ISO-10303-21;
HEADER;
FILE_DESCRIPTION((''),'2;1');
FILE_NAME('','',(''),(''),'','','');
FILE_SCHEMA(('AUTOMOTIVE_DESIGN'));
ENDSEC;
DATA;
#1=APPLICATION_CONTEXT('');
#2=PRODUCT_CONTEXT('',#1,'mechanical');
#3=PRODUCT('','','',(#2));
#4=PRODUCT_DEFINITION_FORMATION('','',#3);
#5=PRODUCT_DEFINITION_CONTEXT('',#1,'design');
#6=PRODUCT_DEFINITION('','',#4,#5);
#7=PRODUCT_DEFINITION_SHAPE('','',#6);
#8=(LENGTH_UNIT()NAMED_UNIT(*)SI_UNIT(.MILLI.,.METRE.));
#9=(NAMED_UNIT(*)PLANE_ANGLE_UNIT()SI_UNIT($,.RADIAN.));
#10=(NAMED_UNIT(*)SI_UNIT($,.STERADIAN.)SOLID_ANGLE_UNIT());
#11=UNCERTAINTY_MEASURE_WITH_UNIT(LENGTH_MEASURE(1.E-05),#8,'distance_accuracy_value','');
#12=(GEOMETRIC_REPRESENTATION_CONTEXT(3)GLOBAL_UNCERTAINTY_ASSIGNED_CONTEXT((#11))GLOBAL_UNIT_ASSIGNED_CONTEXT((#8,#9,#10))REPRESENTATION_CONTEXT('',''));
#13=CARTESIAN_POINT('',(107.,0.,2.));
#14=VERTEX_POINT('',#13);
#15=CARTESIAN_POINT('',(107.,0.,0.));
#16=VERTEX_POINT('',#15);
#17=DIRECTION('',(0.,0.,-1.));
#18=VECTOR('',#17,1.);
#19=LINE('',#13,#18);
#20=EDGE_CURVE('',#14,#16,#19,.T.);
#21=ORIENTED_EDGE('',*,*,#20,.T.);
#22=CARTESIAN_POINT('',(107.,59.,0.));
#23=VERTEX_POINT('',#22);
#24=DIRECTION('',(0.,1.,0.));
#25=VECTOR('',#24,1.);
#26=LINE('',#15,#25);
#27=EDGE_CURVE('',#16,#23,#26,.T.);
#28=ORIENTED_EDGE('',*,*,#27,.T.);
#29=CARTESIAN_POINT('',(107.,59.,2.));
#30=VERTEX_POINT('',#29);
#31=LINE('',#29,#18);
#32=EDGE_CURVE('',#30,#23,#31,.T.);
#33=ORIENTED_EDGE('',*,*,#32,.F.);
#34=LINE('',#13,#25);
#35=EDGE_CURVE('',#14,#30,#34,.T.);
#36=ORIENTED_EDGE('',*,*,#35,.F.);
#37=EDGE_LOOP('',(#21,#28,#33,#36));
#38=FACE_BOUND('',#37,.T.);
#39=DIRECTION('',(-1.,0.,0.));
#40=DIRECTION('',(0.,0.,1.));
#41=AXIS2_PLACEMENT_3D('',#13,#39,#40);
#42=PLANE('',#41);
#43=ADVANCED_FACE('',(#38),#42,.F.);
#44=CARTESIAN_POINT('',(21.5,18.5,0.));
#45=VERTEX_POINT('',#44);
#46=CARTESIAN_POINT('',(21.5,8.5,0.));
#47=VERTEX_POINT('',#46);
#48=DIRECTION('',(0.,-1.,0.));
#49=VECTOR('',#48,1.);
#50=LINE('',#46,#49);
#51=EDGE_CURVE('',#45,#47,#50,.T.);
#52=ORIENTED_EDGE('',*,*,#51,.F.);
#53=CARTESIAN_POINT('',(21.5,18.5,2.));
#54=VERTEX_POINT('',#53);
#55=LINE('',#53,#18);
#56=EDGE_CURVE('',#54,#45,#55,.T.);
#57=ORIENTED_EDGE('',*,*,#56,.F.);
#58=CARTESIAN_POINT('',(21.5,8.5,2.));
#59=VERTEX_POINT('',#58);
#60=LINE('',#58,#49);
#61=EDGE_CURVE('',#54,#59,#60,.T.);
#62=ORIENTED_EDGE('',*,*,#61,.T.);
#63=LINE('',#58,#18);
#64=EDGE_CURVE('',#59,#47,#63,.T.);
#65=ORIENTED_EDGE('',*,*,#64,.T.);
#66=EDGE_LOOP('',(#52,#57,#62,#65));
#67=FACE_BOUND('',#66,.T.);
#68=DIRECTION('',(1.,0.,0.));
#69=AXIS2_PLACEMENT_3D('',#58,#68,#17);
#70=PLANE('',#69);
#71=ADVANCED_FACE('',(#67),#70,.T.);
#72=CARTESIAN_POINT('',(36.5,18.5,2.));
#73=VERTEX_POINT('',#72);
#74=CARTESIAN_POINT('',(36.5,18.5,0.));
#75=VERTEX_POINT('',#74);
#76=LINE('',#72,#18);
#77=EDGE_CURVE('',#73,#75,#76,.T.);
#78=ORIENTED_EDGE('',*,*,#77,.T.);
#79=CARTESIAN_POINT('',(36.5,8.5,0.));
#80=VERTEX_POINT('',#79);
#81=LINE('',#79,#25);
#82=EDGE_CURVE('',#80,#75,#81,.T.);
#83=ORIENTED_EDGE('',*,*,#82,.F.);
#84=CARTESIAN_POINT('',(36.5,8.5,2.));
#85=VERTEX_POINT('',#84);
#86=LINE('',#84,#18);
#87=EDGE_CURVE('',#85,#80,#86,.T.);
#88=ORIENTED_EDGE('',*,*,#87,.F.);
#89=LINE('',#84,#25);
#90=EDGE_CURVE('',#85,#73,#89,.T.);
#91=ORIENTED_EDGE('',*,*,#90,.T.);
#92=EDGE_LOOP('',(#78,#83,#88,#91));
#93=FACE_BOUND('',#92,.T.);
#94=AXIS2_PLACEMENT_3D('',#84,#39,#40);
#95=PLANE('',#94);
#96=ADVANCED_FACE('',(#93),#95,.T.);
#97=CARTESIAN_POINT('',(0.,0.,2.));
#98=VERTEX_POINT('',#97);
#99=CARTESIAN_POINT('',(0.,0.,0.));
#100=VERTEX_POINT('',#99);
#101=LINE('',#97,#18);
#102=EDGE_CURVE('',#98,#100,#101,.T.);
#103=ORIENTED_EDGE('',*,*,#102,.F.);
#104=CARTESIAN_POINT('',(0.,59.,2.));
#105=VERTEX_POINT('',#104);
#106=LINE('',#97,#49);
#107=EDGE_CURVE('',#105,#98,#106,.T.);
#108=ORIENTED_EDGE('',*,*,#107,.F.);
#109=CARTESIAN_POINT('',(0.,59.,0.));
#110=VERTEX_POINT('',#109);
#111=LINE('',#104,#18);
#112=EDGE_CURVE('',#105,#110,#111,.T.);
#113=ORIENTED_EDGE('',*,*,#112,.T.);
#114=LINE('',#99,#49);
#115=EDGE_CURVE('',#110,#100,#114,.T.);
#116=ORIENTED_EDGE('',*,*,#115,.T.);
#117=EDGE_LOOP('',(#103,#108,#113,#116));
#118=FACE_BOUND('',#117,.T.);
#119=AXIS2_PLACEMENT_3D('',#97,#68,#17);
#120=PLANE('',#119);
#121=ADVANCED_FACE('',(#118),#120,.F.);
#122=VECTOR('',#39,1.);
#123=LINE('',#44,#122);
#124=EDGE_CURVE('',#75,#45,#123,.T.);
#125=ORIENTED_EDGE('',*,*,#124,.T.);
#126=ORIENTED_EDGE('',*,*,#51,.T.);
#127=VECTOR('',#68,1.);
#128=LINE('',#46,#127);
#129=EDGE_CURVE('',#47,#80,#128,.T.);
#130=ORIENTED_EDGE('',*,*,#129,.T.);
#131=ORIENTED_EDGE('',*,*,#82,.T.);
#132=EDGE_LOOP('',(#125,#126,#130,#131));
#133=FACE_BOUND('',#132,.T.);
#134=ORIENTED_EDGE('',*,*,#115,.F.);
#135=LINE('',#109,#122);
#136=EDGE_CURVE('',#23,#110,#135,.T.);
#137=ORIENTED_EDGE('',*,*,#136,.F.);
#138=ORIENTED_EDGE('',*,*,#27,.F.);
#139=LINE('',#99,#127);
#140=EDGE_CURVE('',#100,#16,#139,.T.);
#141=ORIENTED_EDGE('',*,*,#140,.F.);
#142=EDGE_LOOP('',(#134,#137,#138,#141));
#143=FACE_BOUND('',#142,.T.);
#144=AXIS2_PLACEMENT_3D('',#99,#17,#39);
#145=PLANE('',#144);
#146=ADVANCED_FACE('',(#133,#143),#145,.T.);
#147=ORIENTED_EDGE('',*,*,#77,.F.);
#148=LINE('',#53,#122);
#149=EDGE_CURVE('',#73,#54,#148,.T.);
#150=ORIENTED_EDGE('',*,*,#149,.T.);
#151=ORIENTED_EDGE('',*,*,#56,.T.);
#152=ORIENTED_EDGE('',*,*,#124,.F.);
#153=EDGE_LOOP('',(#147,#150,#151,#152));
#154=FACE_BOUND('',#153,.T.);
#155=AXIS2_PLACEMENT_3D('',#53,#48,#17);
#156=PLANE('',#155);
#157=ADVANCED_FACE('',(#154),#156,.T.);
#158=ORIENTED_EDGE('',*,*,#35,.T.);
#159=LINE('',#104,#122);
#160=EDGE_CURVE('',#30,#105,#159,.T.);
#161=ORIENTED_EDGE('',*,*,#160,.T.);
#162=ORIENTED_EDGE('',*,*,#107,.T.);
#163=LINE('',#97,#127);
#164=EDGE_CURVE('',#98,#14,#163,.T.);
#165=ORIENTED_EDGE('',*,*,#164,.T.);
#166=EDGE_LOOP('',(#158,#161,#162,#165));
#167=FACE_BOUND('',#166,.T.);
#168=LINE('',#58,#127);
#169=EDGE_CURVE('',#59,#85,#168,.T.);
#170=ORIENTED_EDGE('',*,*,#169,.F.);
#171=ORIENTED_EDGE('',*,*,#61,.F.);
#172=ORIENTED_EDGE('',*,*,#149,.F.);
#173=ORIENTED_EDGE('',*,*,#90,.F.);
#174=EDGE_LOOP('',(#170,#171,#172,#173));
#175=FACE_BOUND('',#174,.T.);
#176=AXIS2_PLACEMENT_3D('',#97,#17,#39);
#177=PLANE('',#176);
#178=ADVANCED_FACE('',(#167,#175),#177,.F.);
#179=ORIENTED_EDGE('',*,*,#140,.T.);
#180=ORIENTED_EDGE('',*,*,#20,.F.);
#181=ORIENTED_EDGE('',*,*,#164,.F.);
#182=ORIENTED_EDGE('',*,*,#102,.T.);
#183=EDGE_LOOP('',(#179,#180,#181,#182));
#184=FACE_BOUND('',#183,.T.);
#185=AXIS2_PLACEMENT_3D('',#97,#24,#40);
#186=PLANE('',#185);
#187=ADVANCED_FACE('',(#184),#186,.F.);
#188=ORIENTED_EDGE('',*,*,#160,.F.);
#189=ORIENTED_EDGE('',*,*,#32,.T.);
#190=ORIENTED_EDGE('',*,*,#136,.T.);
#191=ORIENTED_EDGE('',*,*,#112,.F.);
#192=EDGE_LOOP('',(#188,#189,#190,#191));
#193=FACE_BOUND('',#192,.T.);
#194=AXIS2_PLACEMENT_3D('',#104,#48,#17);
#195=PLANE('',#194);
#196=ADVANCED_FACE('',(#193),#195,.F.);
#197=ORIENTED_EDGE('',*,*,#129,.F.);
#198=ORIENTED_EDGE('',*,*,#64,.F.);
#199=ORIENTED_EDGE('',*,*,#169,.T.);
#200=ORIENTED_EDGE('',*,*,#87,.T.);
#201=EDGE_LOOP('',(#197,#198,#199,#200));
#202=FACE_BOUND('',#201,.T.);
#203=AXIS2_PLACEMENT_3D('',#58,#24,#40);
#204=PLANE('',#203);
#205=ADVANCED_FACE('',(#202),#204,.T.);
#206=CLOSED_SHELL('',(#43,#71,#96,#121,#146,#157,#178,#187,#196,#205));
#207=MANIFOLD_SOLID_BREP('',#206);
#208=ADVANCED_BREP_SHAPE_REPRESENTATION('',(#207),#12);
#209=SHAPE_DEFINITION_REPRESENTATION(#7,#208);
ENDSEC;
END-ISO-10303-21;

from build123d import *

# Parameters (mm, degrees)
ESBO_O1_W                = 107
ESBO_O1_H                = 59
ESBO_O1_W_2              = 15
ESBO_O1_H_2              = 10
RESSALTO_EXTRUS_O1_DEPTH = 2


with BuildPart() as part:
    # Esboço1 → Ressalto-extrusão1 (new body)
    with BuildSketch(Plane.XY):
        with Locations((53.5, 29.5)):
            Rectangle(ESBO_O1_W, ESBO_O1_H)
        with Locations((29, 13.5)):
            Rectangle(ESBO_O1_W_2, ESBO_O1_H_2, mode=Mode.SUBTRACT)
    extrude(amount=RESSALTO_EXTRUS_O1_DEPTH)


solid = part.part
